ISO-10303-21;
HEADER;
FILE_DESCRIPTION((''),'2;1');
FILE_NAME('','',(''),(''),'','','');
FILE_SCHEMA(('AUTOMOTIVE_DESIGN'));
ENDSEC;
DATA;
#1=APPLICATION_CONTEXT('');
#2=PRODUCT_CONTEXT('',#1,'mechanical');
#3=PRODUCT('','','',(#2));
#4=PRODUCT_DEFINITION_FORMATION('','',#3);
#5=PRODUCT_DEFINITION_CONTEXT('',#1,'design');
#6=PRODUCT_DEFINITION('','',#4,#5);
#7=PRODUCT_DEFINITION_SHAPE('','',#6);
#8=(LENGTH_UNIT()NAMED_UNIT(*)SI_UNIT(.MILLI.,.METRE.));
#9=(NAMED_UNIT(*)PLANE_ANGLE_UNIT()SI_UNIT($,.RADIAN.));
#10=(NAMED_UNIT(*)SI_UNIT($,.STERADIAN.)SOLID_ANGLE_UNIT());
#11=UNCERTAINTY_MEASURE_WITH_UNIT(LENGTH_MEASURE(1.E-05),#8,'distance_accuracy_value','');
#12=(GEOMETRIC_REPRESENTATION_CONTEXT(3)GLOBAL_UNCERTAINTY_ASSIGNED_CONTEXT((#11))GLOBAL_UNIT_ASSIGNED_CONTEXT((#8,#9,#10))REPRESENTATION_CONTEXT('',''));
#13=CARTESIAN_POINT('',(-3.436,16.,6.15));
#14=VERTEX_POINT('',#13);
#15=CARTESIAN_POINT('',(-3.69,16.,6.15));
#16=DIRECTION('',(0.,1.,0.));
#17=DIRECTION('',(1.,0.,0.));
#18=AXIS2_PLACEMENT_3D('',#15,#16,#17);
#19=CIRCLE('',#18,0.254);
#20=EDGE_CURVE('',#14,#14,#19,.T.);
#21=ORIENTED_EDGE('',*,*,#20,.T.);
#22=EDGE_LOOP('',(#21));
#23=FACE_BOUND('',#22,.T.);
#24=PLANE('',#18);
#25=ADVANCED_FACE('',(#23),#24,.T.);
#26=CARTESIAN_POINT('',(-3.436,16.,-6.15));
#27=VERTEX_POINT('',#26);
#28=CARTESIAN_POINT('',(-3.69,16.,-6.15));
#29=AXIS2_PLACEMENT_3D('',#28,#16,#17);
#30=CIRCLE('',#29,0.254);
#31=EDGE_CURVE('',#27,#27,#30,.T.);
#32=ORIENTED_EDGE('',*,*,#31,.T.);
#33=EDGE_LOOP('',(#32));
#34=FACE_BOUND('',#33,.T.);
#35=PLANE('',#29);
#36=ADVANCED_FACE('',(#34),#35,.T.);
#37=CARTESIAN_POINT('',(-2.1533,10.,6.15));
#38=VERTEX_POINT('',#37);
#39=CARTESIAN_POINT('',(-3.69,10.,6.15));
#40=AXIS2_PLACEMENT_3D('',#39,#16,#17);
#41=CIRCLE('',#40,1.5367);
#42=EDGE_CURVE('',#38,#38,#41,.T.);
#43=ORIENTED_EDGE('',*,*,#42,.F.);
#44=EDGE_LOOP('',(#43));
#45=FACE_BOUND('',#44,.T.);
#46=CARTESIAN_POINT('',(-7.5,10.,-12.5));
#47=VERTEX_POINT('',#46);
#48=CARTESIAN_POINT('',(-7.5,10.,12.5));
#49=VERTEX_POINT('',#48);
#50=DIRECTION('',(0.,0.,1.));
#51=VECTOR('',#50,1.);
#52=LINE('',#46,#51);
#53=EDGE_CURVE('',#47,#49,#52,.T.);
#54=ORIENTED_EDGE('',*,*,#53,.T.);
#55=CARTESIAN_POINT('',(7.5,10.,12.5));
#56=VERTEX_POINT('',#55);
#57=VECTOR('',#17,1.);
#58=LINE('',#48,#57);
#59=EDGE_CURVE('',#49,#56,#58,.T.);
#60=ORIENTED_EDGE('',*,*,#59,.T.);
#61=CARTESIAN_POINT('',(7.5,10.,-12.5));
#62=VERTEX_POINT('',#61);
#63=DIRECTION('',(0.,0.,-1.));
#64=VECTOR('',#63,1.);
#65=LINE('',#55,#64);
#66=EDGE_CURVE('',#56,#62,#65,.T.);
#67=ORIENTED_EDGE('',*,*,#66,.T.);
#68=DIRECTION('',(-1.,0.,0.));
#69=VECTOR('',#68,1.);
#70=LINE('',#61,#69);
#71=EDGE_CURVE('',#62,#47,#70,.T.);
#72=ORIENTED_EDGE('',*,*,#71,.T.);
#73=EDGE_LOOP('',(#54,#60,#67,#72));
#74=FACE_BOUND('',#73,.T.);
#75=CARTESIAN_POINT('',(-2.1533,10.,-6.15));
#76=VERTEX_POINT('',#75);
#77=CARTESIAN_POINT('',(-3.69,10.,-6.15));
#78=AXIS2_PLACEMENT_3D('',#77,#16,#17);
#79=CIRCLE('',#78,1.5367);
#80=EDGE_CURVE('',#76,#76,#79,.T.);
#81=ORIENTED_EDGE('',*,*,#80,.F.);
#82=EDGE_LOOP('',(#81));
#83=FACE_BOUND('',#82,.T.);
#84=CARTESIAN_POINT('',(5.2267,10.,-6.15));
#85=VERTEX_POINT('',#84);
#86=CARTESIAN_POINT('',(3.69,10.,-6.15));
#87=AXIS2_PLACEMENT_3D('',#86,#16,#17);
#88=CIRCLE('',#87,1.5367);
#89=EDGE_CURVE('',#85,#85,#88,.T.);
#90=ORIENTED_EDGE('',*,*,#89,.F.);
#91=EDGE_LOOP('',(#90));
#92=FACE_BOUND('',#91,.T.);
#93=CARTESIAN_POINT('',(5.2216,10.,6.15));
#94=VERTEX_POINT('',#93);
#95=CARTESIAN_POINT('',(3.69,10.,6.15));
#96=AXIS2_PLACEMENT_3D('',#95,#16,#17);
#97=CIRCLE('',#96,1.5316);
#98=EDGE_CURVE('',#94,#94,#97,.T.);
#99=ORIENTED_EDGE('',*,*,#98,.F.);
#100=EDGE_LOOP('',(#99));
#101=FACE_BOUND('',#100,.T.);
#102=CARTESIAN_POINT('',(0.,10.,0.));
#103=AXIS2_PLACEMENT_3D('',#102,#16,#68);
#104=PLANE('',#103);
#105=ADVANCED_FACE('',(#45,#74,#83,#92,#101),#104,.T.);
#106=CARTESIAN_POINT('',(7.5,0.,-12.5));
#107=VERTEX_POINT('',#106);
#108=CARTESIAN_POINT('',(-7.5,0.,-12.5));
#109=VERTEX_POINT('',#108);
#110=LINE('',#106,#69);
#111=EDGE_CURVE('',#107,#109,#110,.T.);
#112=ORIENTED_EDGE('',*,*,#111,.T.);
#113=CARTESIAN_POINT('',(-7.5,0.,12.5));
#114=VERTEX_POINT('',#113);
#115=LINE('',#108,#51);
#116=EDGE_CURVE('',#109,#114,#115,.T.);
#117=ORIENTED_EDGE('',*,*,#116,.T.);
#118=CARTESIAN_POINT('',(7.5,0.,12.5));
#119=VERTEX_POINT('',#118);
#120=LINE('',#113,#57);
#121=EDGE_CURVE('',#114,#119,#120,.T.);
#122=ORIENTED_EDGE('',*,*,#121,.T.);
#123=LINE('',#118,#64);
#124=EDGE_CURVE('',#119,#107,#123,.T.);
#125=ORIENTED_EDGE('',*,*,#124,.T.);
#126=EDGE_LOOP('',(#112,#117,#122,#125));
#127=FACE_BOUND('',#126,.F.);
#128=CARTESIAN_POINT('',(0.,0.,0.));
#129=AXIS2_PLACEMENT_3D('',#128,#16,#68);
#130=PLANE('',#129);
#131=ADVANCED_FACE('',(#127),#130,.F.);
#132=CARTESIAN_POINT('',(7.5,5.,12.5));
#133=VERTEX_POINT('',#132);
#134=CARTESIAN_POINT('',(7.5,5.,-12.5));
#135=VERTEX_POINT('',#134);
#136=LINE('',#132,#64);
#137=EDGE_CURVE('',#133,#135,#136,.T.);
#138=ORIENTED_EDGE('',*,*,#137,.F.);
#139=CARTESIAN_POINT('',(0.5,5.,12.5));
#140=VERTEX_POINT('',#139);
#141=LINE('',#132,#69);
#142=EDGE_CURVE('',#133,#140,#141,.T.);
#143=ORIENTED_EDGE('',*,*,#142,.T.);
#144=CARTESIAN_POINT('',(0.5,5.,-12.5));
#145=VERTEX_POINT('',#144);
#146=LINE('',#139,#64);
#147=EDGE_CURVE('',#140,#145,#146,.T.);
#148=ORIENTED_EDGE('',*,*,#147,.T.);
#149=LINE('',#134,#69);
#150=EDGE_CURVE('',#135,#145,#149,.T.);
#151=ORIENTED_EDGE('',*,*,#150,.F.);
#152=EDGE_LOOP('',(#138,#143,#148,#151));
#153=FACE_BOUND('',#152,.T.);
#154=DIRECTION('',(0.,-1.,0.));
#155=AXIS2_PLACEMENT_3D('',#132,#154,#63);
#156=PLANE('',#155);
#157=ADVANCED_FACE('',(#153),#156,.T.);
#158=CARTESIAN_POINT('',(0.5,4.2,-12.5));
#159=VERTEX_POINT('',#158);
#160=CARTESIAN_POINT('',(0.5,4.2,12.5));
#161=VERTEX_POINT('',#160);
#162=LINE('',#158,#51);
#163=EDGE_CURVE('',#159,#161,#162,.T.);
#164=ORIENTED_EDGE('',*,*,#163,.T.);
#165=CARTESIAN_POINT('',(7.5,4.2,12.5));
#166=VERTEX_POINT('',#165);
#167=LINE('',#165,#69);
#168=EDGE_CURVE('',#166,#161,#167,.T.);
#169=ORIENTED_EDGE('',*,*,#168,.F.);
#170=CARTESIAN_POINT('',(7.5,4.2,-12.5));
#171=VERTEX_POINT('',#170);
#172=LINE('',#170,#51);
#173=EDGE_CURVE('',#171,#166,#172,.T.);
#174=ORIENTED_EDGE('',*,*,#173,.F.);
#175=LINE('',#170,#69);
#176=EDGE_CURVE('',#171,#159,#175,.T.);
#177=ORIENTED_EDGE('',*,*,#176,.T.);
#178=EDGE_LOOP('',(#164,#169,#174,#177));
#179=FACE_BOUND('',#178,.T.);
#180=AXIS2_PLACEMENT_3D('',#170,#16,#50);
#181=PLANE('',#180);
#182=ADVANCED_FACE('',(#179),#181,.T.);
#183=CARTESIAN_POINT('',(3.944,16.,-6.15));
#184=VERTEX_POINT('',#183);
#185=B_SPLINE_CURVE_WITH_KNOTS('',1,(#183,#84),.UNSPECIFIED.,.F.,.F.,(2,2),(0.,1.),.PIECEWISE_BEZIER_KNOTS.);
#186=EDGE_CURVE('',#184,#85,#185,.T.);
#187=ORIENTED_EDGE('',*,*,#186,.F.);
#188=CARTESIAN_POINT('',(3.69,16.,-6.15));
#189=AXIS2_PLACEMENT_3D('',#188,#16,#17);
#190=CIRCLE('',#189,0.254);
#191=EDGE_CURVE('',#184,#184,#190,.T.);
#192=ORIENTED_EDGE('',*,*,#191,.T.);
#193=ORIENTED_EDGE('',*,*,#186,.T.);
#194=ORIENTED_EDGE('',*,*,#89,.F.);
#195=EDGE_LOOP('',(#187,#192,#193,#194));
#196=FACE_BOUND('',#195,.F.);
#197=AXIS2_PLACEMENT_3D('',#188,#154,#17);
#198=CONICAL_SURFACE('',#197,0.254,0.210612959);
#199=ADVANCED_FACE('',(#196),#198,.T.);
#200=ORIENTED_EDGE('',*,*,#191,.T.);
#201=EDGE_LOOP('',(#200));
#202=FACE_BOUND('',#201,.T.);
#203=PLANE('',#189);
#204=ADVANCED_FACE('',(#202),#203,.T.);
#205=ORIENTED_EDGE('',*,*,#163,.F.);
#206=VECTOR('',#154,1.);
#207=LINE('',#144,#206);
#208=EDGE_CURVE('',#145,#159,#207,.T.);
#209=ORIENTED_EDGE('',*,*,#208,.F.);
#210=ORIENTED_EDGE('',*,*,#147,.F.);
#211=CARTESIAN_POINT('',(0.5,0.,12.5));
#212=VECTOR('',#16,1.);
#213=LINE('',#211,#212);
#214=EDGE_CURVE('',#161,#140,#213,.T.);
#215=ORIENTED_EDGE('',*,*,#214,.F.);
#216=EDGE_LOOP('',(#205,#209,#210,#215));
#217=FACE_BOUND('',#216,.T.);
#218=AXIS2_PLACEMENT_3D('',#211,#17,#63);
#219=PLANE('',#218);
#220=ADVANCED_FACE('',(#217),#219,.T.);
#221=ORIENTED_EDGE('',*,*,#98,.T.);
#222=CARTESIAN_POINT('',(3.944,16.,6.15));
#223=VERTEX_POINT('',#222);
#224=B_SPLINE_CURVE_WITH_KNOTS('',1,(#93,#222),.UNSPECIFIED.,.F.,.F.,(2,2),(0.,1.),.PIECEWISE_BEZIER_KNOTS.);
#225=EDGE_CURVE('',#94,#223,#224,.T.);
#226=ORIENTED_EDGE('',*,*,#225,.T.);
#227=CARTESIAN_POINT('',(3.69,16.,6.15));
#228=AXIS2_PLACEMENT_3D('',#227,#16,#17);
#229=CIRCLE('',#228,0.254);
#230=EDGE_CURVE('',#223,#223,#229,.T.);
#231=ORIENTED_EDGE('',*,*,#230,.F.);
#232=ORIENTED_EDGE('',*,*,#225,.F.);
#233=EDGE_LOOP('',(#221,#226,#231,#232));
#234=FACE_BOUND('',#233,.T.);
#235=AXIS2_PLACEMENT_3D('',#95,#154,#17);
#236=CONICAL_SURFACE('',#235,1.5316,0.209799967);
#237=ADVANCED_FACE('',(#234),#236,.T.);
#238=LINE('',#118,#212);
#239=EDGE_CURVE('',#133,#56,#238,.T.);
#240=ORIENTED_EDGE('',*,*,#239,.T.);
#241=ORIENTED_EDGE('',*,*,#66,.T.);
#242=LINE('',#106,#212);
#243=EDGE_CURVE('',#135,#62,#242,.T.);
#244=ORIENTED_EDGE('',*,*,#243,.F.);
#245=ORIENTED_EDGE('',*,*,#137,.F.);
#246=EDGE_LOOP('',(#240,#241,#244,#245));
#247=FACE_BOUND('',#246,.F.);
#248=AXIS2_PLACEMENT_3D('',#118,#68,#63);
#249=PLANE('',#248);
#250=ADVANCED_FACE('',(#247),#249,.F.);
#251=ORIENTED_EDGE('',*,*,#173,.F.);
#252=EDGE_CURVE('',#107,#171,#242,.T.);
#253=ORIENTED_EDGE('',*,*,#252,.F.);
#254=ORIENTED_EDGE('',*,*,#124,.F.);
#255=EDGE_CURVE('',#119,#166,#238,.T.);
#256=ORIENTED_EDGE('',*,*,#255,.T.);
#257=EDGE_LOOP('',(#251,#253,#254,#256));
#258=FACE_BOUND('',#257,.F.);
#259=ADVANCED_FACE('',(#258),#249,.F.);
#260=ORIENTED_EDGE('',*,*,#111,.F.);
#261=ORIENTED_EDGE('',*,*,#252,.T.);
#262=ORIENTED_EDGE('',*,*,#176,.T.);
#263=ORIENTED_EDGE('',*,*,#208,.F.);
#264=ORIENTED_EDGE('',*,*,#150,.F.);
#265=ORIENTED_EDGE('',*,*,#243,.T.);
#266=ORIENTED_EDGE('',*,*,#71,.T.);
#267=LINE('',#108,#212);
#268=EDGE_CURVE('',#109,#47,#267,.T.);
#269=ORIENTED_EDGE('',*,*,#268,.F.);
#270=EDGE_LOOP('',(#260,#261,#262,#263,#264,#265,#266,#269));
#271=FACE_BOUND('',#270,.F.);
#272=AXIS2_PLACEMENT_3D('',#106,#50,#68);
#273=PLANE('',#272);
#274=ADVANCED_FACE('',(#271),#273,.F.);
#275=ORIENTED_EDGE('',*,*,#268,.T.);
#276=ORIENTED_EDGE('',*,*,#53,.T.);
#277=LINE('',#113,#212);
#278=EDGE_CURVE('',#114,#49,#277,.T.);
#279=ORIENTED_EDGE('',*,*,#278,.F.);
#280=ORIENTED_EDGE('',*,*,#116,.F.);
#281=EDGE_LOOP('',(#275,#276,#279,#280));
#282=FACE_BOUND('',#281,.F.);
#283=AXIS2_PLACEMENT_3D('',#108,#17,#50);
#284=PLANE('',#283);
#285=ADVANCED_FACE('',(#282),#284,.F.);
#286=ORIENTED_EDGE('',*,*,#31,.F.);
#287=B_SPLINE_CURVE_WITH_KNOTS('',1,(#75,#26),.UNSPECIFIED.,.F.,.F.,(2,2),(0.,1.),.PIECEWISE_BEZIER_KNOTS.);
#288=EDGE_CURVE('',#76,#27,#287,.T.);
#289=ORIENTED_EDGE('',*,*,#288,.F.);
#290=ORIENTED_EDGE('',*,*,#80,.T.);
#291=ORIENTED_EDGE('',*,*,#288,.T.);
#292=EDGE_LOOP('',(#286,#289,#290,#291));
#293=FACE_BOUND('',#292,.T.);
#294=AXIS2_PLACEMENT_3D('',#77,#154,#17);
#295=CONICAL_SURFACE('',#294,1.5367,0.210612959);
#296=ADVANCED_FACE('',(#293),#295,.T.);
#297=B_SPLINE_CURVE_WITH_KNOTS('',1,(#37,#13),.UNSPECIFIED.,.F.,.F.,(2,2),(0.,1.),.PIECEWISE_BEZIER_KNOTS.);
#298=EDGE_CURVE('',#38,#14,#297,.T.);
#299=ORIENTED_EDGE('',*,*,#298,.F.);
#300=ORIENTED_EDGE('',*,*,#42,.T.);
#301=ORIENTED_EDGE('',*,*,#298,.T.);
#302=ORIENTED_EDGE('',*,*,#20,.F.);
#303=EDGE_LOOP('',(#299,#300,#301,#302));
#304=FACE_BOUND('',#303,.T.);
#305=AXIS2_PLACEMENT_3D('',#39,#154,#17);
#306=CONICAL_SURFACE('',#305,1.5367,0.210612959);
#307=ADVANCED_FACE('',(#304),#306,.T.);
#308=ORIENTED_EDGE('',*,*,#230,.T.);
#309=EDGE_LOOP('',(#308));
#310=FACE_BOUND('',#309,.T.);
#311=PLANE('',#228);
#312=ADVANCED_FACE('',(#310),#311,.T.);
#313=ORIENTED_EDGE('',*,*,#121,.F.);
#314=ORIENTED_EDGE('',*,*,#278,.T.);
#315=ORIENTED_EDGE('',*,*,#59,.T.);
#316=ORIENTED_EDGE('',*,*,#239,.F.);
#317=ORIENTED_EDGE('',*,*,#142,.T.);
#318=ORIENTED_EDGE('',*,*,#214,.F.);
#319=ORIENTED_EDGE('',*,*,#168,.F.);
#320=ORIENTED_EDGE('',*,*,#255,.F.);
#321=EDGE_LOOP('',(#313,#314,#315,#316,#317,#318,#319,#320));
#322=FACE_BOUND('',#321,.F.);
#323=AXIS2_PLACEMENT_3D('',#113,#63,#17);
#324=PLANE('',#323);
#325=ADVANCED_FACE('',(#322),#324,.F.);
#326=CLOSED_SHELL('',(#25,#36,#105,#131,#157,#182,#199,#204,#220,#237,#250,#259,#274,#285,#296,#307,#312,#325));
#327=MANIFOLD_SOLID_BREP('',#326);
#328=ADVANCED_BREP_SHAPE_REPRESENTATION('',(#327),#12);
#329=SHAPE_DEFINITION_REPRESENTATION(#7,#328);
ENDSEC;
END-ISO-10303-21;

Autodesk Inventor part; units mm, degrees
ref_plane "YZ Plane" through (0, 0, 0) normal (1, 0, 0) x (0, 1, 0)
ref_plane "XZ Plane" through (0, 0, 0) normal (0, 1, 0) x (-1, 0, 0)
ref_plane "XY Plane" through (0, 0, 0) normal (0, 0, 1) x (1, 0, 0)
sketch "Sketch1" plane through (0, 0, 0) normal (0, 1, 0) x (-1, 0, 0)
  line L0 (7.5, 12.5) -> (-7.5, 12.5)
  line L1 (-7.5, 12.5) -> (-7.5, -12.5)
  line L2 (-7.5, -12.5) -> (7.5, -12.5)
  line L3 (7.5, -12.5) -> (7.5, 12.5)
  point P0 (0, 0)
  dimension "d0" = 25
  dimension "d1" = 15
  dimension "d2" = 7.5
  dimension "d3" = 12.5
extrude "Extrusion1" add sketch "Sketch1" along normal blind 10
sketch "Sketch3" plane through (7.5, 0, 12.5) normal (1, 0, 0) x (0, 0, -1)
  line L0 (0, 0) -> (0, 10) projected
  line L1 (0, 5) -> (25, 5)
  line L2 (25, 5) -> (25, 4.2)
  line L3 (25, 4.2) -> (0, 4.2)
  line L4 (0, 4.2) -> (0, 5)
  point P0 (12.5, 0)
  dimension "d8" = 0.8
  dimension "d9" = 25
extrude "Extrusion2" cut sketch "Sketch3" against normal blind 7
sketch "Sketch4" plane through (0, 10, 0) normal (0, 1, 0) x (1, 0, 0)
  circle A0 centre (3.69, -6.15) radius 1.5316
  line L0 (-7.5, -12.5) -> (7.5, -12.5) projected
  line L1 (7.5, -12.5) -> (7.5, 12.5) projected
  circle A1 centre (-3.69, -6.15) radius 1.5367
  line L2 (-7.5, 12.5) -> (-7.5, -12.5) projected
  point P0 (0, 0)
  dimension "d12" = 6.35
  dimension "d13" = 3.81
  dimension "d14" = 3.0631
  dimension "d15" = 3.81
  dimension "d16" = 3.0734
  dimension "d17" = 6.35
sketch "Sketch5" plane through (0, 10, 0) normal (0, 1, 0) x (1, 0, 0)
  circle A0 centre (3.69, 6.15) radius 1.5367
  circle A1 centre (-3.69, 6.15) radius 1.5367
  line L0 (7.5, 12.5) -> (-7.5, 12.5) projected
  line L1 (-7.5, 12.5) -> (-7.5, -12.5) projected
  line L2 (7.5, -12.5) -> (7.5, 12.5) projected
  point P0 (0, 0)
  dimension "d18" = 6.35
  dimension "d19" = 6.35
  dimension "d20" = 3.81
  dimension "d21" = 3.81
  dimension "d22" = 3.0734
  dimension "d23" = 3.0734
ref_plane "Work Plane1" through (0, 16, 0) normal (0, 1, 0) x (1, 0, 0)
sketch "Sketch6" plane through (0, 16, 0) normal (0, 1, 0) x (1, 0, 0)
  circle A0 centre (3.69, 6.15) radius 0.254
  line L0 (7.5, 12.5) -> (-7.5, 12.5) projected
  line L1 (7.5, -12.5) -> (7.5, 12.5) projected
  point P0 (0, 0)
  dimension "d41" = 0.508
  dimension "d42" = 6.35
  dimension "d43" = 3.81
loft "Loft1" add profiles "Sketch6", "Sketch5" contours all / A0
sketch "Sketch7" plane through (0, 16, 0) normal (0, 1, 0) x (1, 0, 0)
  circle A0 centre (3.69, -6.15) radius 0.254
  line L0 (7.5, -12.5) -> (7.5, 12.5) projected
  line L1 (-7.5, -12.5) -> (7.5, -12.5) projected
  point P0 (0, 0)
  dimension "d44" = 0.508
  dimension "d45" = 3.81
  dimension "d46" = 6.35
loft "Loft2" add profiles "Sketch4", "Sketch7" contours A0 / all
sketch "Sketch10" plane through (0, 16, 0) normal (0, 1, 0) x (1, 0, 0)
  circle A0 centre (-3.69, -6.15) radius 0.254
  line L0 (-7.5, 12.5) -> (-7.5, -12.5) projected
  line L1 (-7.5, -12.5) -> (7.5, -12.5) projected
  point P0 (0, 0)
  dimension "d53" = 3.81
  dimension "d54" = 6.35
  dimension "d55" = 0.508
loft "Loft3" add profiles "Sketch4", "Sketch10" contours A1 / all
sketch "Sketch11" plane through (0, 16, 0) normal (0, 1, 0) x (1, 0, 0)
  circle A0 centre (-3.69, 6.15) radius 0.254
  line L0 (-7.5, 12.5) -> (-7.5, -12.5) projected
  line L1 (7.5, 12.5) -> (-7.5, 12.5) projected
  point P0 (0, 0)
  dimension "d60" = 0.508
  dimension "d61" = 3.81
  dimension "d62" = 6.35
loft "Loft4" add profiles "Sketch5", "Sketch11" contours A1 / all
properties part number "_3DPrint"
